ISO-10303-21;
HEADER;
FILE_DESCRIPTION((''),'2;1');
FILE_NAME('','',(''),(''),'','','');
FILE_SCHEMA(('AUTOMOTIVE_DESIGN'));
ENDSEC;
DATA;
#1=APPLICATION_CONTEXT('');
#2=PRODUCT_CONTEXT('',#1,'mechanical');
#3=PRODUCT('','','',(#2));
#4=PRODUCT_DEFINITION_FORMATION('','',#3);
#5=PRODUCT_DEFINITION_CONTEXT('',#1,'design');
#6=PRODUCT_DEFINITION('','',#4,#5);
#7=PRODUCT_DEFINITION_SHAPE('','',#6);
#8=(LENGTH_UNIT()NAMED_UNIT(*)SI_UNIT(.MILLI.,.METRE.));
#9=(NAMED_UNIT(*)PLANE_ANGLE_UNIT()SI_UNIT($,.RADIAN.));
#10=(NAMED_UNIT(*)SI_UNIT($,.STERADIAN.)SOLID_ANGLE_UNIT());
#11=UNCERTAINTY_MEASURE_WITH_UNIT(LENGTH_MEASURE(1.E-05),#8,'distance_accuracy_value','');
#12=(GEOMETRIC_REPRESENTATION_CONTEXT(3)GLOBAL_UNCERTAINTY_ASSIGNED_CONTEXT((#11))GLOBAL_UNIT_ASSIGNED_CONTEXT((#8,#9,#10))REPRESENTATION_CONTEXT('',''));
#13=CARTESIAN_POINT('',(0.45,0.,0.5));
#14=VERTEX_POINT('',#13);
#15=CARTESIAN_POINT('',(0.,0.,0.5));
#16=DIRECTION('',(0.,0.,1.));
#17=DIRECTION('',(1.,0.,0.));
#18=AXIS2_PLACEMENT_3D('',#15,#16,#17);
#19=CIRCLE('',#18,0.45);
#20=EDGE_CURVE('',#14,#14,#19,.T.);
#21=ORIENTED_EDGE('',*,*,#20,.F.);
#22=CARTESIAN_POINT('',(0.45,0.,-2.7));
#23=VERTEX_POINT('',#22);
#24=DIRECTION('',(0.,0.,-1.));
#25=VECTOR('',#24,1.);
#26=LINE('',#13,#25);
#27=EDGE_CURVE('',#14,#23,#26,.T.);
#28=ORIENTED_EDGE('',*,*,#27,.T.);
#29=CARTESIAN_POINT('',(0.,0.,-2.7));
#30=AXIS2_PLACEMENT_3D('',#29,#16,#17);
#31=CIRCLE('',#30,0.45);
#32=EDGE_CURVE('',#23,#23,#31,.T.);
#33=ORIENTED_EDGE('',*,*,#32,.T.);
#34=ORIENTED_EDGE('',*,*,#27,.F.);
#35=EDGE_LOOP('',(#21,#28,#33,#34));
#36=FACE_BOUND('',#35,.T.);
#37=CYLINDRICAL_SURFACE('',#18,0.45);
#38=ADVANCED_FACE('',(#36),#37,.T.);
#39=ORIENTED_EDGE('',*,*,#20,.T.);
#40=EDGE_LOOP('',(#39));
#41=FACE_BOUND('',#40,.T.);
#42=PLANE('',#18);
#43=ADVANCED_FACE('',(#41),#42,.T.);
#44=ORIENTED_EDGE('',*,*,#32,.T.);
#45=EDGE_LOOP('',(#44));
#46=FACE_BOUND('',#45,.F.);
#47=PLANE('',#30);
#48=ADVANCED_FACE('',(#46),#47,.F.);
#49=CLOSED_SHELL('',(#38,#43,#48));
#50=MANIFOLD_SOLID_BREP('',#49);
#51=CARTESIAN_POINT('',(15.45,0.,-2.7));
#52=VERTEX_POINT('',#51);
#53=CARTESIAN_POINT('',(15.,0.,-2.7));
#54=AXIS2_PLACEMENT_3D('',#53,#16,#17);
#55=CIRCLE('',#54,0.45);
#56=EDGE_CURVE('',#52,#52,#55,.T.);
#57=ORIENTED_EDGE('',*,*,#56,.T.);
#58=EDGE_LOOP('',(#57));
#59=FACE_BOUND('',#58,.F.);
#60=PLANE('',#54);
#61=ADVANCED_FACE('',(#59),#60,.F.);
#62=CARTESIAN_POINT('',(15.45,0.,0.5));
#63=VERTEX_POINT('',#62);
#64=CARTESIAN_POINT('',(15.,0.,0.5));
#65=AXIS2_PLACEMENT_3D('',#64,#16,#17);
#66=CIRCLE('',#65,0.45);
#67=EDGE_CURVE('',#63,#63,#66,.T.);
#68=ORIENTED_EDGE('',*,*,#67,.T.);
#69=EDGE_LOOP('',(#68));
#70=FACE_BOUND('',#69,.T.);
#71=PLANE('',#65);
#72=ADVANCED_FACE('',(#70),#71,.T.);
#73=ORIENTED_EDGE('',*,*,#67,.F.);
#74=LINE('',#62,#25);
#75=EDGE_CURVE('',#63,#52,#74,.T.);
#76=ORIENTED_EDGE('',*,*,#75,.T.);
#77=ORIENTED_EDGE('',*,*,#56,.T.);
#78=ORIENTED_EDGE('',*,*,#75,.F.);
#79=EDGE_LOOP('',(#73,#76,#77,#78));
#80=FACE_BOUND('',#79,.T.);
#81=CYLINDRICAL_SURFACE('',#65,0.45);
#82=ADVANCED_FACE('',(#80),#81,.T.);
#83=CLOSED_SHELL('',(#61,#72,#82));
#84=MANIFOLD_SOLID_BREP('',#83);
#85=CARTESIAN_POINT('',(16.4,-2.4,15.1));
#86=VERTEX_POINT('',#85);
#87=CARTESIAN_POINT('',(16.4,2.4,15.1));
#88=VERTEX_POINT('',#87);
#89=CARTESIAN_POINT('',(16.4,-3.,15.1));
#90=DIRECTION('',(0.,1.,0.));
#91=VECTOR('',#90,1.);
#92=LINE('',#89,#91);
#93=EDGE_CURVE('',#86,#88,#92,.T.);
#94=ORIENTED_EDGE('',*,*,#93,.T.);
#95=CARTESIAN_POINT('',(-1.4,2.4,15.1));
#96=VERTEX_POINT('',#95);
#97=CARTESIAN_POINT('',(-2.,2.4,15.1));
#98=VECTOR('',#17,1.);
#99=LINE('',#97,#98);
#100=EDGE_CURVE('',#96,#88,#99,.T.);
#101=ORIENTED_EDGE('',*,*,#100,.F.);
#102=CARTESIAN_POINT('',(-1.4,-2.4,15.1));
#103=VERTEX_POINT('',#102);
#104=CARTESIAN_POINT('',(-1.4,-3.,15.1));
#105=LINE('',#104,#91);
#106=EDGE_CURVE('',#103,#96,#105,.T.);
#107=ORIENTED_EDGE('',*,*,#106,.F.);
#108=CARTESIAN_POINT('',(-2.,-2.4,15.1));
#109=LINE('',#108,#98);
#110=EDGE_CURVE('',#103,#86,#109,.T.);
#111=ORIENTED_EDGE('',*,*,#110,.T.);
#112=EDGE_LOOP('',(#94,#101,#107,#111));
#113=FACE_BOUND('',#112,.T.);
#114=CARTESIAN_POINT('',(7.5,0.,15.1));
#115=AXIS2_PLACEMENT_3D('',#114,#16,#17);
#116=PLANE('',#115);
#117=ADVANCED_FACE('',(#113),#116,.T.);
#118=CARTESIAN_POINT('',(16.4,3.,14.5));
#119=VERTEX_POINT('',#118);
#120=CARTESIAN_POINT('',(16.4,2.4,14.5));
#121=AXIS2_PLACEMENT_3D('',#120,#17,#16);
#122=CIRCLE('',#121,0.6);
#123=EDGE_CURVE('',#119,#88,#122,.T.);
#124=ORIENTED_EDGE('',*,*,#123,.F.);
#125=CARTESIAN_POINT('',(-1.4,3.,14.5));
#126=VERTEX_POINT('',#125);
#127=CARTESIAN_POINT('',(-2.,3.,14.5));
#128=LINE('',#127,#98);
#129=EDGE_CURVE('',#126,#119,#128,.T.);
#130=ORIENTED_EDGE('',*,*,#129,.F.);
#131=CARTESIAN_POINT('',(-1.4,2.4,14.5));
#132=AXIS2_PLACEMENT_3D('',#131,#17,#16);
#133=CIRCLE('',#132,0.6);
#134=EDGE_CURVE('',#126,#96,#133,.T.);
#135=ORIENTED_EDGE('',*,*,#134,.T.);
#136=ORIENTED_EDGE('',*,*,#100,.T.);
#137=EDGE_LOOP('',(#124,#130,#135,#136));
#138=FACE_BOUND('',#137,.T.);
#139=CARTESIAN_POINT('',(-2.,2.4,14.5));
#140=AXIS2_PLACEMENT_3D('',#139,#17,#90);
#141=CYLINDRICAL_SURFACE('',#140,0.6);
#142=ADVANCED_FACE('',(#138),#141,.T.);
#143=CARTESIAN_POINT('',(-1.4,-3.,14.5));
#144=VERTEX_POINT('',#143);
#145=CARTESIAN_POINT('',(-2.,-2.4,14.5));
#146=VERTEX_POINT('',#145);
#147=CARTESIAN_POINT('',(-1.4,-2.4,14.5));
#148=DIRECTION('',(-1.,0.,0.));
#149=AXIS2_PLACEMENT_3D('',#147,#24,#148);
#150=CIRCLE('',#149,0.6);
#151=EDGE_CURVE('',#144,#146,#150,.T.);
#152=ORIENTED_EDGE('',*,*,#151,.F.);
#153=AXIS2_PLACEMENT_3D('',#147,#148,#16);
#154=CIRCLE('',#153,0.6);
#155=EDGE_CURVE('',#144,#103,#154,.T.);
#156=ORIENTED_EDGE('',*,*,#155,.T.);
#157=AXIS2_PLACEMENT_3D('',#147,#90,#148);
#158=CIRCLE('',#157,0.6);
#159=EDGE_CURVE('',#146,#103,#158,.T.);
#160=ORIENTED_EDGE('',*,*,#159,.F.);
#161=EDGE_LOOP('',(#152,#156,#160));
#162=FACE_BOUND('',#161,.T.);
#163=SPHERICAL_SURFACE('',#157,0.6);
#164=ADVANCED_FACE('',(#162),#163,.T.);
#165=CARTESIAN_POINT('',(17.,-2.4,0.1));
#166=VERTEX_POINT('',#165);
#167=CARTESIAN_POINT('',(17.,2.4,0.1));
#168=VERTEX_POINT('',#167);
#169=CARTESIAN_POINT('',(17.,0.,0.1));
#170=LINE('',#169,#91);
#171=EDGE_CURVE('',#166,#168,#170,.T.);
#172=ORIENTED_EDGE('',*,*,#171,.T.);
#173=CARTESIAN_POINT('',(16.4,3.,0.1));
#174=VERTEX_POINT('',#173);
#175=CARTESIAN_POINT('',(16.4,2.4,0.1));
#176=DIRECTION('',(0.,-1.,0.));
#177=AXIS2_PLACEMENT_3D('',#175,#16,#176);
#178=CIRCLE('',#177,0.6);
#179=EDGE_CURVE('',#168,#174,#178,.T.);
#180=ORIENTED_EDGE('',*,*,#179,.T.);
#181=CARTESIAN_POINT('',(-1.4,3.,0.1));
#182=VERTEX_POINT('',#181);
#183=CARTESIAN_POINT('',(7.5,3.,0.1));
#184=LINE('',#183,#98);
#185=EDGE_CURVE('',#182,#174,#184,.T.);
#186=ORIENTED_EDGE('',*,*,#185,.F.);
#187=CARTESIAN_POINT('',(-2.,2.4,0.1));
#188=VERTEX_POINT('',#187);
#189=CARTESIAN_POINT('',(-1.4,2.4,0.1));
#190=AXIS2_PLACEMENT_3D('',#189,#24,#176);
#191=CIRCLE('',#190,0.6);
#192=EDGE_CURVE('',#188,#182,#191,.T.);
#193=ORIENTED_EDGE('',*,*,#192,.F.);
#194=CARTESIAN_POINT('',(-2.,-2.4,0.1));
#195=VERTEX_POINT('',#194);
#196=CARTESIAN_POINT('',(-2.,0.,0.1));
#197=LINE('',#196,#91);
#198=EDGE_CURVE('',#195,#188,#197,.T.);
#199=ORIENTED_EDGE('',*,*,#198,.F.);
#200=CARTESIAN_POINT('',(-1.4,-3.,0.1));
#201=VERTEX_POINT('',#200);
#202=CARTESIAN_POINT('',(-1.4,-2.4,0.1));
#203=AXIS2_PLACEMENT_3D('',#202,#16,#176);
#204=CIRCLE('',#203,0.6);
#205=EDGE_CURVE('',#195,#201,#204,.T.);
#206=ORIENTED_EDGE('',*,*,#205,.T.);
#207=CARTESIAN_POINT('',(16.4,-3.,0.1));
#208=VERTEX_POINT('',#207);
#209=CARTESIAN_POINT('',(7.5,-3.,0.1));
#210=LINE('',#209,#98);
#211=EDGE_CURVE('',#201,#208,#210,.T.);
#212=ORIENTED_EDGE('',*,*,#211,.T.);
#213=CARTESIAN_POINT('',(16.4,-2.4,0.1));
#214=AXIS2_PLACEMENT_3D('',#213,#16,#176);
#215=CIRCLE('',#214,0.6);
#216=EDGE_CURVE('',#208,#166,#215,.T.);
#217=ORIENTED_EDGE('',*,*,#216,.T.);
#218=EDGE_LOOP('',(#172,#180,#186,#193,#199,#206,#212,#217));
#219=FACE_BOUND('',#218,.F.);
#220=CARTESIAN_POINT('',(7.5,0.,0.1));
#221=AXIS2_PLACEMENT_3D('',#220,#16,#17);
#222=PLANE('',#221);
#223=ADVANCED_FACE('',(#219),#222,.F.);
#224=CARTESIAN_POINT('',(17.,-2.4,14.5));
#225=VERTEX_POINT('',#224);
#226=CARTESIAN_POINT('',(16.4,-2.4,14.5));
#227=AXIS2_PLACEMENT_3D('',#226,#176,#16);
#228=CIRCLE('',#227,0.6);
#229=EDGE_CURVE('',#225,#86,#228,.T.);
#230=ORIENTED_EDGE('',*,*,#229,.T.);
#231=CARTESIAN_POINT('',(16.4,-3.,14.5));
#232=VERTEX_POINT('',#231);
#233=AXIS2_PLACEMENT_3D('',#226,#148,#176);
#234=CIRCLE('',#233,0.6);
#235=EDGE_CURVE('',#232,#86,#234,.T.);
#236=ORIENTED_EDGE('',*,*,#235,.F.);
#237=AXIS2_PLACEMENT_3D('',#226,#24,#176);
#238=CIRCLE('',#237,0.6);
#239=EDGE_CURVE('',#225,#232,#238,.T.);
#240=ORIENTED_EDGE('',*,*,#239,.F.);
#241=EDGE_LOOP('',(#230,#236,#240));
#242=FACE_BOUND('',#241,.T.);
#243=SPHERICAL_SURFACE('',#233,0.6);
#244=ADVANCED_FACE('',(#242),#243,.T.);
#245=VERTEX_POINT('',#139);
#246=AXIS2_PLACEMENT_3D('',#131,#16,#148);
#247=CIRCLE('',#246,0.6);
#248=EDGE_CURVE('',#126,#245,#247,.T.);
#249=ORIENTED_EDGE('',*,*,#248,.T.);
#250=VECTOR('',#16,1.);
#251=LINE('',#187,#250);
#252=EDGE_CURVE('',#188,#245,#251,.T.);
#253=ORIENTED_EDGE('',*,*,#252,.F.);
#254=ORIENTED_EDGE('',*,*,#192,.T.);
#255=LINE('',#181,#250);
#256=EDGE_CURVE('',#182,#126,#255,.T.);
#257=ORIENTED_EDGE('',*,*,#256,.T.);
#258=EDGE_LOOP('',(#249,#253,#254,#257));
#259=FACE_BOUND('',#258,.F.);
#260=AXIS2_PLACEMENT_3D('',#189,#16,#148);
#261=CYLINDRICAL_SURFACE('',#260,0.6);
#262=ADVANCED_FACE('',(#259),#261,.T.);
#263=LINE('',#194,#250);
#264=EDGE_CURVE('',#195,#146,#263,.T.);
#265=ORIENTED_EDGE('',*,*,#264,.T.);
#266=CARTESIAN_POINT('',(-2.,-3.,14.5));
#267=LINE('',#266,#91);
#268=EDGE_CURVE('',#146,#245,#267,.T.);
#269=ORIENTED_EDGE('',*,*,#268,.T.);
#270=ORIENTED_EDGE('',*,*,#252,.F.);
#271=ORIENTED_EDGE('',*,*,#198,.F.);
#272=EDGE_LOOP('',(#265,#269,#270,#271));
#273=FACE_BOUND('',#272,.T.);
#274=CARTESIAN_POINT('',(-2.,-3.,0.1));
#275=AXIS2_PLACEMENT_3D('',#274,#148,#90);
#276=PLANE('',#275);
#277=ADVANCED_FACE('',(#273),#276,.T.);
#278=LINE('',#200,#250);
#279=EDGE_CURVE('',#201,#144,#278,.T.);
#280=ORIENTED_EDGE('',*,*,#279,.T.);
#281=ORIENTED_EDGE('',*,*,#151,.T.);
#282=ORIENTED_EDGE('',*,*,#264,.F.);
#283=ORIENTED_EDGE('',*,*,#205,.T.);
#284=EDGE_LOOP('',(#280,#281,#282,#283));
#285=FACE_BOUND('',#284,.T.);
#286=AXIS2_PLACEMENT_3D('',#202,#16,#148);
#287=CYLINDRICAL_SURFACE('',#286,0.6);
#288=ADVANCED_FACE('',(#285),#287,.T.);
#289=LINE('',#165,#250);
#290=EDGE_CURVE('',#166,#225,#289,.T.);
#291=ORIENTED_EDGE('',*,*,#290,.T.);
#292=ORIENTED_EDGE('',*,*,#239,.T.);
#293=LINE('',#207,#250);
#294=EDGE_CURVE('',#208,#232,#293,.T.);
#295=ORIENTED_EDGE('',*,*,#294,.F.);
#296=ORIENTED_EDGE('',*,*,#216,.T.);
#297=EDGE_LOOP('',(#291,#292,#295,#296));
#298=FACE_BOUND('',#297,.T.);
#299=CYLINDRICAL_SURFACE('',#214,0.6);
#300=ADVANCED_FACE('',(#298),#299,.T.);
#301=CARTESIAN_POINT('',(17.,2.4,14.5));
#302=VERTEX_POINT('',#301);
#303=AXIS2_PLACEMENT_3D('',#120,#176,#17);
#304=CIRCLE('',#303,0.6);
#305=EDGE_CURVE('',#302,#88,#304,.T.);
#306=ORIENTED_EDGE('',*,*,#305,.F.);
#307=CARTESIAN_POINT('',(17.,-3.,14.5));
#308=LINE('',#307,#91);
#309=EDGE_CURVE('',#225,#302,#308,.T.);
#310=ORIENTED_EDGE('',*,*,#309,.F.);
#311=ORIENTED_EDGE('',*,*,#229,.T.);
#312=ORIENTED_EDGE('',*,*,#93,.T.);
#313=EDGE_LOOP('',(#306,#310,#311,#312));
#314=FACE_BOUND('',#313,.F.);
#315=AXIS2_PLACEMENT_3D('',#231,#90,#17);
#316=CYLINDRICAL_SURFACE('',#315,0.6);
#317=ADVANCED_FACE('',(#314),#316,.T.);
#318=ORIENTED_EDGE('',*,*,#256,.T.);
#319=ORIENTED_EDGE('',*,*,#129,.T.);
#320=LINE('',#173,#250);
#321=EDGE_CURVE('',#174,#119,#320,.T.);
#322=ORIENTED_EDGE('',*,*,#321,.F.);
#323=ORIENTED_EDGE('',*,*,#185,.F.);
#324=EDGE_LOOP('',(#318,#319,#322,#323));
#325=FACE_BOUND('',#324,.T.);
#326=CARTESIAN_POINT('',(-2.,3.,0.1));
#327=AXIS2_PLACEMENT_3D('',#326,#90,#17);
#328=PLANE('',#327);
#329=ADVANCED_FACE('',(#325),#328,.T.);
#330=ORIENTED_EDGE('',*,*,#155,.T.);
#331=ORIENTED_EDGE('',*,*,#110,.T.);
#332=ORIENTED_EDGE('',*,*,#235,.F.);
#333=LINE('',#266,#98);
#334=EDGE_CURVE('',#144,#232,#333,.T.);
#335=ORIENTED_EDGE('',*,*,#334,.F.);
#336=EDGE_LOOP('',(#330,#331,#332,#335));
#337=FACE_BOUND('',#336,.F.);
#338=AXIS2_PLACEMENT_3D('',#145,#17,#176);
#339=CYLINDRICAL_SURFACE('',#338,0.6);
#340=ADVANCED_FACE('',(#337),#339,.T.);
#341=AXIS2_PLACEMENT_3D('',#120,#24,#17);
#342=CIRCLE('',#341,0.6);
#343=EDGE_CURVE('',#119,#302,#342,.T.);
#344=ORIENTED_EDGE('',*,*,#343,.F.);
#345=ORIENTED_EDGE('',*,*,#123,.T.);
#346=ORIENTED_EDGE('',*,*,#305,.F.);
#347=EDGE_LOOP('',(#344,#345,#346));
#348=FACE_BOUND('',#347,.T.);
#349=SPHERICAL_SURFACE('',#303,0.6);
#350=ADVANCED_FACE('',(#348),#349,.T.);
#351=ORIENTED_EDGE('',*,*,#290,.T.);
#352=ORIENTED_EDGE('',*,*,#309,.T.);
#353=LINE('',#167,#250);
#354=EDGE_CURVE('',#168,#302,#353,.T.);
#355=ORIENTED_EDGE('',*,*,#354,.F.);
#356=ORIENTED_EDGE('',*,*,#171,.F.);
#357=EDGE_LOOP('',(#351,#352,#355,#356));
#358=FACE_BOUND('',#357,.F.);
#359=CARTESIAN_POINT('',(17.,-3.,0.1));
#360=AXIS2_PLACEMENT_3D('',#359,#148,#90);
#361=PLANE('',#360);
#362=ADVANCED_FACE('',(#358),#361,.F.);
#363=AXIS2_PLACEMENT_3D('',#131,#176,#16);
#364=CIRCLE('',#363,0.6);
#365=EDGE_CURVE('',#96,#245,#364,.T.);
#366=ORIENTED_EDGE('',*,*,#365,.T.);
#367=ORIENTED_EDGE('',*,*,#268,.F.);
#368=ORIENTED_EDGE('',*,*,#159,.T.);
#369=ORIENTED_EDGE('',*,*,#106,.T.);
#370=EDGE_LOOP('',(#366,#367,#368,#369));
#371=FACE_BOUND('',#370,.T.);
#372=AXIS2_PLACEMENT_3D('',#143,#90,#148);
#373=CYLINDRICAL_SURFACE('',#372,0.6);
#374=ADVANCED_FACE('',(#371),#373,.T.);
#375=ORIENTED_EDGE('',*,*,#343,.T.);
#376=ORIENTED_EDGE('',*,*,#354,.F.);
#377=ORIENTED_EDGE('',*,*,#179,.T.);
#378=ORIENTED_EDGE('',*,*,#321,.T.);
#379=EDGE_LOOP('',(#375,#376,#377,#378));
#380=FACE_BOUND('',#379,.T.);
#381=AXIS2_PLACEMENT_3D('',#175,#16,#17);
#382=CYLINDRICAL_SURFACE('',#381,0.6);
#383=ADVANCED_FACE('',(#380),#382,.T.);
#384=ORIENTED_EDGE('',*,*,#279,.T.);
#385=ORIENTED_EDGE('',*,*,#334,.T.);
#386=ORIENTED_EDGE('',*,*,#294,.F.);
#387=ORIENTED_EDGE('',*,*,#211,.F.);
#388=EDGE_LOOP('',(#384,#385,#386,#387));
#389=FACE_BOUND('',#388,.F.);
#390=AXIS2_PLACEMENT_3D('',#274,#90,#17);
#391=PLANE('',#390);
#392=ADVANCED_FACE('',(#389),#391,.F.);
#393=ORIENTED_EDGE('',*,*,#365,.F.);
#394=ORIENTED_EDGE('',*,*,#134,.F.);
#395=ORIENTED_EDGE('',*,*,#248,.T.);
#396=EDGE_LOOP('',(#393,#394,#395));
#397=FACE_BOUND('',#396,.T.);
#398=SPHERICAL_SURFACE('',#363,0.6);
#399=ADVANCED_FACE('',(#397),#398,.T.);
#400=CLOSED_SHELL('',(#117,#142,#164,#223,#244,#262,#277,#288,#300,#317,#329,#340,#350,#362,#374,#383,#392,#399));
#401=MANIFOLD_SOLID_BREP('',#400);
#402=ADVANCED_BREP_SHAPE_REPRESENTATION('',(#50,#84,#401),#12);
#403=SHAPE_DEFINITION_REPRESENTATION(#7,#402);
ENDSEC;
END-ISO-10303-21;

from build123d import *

# Parameters (mm, degrees)
SKETCH_W     = 19
SKETCH_H     = 6
PAD_DEPTH    = 15
FILLET_R     = 0.6
SKETCH001_R  = 0.45
PAD001_DEPTH = 3.2


with BuildPart() as fillet_body:
    # Sketch → Pad (new body)
    with BuildSketch(Plane.XY.offset(0.1)):
        with Locations((7.5, 0)):
            Rectangle(SKETCH_W, SKETCH_H)
    extrude(amount=PAD_DEPTH)

    # Fillet
    fillet_edges = [fillet_body.edges().sort_by_distance(p)[0] for p in [
        (-2, 0, 15.1),
        (-2, -3, 7.6),
        (7.5, -3, 15.1),
        (17, -3, 7.6),
        (17, 0, 15.1),
        (17, 3, 7.6),
        (7.5, 3, 15.1),
        (-2, 3, 7.6),
    ]]
    fillet(fillet_edges, radius=FILLET_R)


with BuildPart() as pad001:
    # Sketch001 → Pad001 (new body)
    with BuildSketch(Plane.XY.offset(0.5)):
        Circle(SKETCH001_R)
        with Locations((15, 0)):
            Circle(SKETCH001_R)
    extrude(amount=-PAD001_DEPTH)


solid = Compound([fillet_body.part, pad001.part])
